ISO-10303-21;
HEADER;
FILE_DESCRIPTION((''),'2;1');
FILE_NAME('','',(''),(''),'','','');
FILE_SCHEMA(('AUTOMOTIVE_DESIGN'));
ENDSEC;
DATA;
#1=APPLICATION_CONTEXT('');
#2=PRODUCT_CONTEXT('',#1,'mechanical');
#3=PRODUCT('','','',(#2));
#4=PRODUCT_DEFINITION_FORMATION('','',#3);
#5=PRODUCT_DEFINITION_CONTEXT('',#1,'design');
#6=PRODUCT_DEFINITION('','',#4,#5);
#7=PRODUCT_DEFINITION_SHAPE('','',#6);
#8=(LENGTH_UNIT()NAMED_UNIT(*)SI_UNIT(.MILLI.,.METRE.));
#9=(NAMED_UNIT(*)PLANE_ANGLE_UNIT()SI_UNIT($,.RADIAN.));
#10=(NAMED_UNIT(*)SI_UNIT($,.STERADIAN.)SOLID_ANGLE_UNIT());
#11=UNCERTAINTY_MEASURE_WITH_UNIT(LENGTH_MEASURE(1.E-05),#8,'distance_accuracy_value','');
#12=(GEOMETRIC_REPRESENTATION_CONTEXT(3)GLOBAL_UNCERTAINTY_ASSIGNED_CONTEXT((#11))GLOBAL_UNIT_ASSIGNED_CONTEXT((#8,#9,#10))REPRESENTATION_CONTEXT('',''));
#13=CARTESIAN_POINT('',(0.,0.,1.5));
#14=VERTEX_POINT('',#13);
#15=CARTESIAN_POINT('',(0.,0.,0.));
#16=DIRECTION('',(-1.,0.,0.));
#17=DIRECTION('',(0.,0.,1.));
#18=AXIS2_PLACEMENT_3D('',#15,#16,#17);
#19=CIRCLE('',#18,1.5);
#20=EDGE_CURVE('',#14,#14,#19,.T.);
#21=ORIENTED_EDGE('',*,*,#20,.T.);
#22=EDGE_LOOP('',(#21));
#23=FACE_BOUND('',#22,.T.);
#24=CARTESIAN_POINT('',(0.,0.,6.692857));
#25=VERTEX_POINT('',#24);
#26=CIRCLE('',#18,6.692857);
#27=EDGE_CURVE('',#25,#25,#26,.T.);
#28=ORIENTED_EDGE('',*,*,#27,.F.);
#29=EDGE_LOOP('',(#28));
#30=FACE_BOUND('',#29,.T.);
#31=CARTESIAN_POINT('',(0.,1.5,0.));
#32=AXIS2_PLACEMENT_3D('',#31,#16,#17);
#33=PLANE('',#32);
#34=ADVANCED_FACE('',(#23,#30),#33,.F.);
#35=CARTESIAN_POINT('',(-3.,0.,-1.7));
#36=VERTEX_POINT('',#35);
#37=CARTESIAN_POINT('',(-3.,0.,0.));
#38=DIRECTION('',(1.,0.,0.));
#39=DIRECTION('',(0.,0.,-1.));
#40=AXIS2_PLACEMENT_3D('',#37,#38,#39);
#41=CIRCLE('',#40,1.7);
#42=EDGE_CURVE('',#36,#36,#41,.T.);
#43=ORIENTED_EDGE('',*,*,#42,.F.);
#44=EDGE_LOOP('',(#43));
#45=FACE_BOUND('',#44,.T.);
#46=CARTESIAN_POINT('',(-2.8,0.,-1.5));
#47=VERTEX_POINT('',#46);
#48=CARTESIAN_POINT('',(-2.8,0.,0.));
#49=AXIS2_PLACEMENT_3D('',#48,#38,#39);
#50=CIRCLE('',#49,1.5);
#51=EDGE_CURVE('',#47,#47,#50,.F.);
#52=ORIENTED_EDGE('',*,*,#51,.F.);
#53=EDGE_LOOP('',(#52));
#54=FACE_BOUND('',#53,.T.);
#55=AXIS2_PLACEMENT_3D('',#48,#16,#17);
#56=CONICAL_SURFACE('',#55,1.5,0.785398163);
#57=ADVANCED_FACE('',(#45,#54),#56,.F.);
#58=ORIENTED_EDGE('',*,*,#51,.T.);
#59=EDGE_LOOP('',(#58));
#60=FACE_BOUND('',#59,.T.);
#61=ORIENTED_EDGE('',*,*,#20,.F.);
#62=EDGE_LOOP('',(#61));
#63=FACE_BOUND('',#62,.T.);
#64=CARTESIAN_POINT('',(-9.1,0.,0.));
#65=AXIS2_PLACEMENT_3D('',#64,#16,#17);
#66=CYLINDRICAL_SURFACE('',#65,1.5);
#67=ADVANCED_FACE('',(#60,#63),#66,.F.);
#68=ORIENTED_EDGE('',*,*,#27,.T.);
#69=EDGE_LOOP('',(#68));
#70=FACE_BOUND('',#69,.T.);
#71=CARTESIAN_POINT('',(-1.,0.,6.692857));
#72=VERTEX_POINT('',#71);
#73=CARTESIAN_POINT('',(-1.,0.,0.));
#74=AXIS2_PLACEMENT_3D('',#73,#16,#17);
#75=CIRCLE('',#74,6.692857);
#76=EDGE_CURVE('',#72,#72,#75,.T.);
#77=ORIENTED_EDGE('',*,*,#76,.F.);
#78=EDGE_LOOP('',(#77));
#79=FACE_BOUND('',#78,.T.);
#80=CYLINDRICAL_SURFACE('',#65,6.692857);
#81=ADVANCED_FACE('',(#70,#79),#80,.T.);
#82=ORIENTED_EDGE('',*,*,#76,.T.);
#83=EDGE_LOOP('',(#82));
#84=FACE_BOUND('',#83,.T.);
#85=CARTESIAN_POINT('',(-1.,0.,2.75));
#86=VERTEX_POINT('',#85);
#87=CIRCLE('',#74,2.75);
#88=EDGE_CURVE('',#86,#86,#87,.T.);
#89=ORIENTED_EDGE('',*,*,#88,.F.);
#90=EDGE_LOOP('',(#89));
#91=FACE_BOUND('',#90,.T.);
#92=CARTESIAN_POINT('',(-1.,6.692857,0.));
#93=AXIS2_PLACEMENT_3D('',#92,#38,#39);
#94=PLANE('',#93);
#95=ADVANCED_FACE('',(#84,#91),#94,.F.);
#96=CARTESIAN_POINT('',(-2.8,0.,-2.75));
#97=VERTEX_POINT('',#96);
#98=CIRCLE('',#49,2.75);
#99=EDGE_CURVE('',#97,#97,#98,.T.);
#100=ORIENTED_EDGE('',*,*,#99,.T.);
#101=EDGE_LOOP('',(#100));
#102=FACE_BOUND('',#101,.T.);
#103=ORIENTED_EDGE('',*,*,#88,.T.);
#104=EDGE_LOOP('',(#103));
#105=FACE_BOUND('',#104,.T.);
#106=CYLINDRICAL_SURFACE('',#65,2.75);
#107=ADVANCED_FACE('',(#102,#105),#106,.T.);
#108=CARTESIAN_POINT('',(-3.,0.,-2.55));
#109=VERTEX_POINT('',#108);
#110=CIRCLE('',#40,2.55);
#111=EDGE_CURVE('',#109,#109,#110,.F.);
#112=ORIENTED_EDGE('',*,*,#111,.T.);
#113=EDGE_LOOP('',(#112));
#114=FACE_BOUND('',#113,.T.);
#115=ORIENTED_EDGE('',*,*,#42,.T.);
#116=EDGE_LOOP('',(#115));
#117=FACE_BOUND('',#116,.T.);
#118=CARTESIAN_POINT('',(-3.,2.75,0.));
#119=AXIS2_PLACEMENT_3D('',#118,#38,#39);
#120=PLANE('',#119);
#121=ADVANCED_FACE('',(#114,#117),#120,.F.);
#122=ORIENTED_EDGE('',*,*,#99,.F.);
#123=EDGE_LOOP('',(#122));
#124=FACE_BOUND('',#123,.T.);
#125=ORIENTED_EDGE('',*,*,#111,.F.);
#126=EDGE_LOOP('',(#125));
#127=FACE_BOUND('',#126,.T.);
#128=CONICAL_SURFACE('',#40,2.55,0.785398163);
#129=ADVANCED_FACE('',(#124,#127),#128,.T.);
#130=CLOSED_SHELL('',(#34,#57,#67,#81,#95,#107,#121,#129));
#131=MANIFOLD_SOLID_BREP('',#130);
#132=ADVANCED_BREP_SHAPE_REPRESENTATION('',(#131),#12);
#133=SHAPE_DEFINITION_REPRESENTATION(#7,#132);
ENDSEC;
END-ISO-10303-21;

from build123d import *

# Parameters (mm, degrees)
CHAMFER_1_SIZE = 0.2


with BuildPart() as part:
    # 草图1 → 旋转1 (revolve)
    with BuildSketch(Plane.XY, mode=Mode.PRIVATE) as revolve_1_sk:
        Polygon((0, 1.5), (0, 6.692857143), (-1, 6.692857143), (-1, 2.75), (-3, 2.75), (-3, 1.5), align=None)
    revolve(revolve_1_sk.sketch.rotate(Axis((-9.1, 0, 0), (1, 0, 0)), 90), axis=Axis((-9.1, 0, 0), (1, 0, 0)))

    # 倒角1
    chamfer_1_edges = [part.edges().sort_by_distance(p)[0] for p in [
        (-3, 0, -1.5),
        (-3, 0, -2.75),
    ]]
    chamfer(chamfer_1_edges, length=CHAMFER_1_SIZE)


solid = part.part
